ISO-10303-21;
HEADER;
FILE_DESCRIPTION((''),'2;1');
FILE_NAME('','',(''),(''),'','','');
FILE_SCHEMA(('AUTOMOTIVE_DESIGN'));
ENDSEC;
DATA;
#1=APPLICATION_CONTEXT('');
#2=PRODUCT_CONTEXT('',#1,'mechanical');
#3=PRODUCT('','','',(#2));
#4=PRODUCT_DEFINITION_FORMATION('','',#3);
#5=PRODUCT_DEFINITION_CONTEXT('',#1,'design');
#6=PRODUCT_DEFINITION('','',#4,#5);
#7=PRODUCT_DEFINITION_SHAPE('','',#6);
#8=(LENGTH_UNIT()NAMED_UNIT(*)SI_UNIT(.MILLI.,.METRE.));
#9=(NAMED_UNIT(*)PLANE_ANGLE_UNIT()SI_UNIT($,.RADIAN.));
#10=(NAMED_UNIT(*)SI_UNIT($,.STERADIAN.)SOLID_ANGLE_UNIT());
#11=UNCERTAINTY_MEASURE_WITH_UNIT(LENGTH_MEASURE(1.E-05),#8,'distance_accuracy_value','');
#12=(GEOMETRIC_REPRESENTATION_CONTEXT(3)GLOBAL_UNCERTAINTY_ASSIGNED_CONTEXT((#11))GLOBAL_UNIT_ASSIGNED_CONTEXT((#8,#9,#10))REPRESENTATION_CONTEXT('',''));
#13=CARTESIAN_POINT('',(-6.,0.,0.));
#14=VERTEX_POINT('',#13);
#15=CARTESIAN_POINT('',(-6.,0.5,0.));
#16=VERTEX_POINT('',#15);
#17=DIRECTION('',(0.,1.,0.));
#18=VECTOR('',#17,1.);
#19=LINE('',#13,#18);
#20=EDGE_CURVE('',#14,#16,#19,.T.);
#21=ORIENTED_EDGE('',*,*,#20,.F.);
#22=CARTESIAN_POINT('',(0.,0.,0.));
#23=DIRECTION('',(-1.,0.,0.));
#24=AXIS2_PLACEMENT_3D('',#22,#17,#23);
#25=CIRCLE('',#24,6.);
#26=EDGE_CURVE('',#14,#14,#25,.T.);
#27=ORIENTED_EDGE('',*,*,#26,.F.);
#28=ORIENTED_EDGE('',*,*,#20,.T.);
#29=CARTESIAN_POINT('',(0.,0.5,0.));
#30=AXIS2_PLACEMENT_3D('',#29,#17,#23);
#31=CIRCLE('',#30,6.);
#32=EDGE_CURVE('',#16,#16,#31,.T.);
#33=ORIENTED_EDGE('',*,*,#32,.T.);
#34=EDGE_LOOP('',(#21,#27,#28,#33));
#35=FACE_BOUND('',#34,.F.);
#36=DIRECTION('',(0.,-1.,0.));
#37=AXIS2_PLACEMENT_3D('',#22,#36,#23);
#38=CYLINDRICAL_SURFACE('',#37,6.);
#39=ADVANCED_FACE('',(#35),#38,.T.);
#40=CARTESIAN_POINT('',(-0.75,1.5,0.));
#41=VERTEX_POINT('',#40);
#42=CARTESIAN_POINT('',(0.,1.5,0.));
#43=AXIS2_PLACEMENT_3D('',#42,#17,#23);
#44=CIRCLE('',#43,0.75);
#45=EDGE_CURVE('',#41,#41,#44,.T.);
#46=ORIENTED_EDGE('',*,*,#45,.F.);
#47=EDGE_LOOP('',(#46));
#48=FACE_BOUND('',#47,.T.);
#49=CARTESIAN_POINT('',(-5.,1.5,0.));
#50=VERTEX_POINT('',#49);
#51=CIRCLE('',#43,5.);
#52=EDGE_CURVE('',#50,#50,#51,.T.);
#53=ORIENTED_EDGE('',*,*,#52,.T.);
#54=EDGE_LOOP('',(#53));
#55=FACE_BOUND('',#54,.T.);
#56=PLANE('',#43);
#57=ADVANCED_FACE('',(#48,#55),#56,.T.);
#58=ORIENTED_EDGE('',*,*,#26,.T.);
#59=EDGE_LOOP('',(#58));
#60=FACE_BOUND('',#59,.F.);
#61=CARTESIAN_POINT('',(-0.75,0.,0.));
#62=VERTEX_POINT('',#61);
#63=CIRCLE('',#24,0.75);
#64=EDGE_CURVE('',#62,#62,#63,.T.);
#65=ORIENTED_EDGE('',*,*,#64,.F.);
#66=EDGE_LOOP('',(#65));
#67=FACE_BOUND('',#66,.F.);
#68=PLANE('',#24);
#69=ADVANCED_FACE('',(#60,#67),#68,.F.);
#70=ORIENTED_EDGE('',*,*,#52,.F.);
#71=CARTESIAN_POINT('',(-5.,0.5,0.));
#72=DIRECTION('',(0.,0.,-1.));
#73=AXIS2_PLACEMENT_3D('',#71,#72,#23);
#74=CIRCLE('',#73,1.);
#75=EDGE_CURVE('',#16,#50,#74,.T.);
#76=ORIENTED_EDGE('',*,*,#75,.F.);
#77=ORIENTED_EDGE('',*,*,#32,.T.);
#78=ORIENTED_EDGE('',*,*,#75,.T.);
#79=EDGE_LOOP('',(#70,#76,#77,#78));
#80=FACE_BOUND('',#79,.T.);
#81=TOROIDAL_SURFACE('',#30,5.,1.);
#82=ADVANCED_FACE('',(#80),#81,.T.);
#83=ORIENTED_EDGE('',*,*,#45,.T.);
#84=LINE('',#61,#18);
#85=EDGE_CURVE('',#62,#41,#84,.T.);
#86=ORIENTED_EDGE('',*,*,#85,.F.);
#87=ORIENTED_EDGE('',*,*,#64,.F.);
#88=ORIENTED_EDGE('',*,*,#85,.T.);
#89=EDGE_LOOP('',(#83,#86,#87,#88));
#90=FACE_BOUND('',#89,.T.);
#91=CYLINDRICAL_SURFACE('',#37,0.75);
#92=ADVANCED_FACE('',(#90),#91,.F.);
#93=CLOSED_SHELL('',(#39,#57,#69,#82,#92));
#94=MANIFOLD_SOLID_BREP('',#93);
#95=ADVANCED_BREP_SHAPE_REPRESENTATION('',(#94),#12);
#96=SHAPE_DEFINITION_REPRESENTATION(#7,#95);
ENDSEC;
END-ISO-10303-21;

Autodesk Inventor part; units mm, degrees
ref_plane "YZ Plane" through (0, 0, 0) normal (1, 0, 0) x (0, 1, 0)
ref_plane "XZ Plane" through (0, 0, 0) normal (0, 1, 0) x (-1, 0, 0)
ref_plane "XY Plane" through (0, 0, 0) normal (0, 0, 1) x (1, 0, 0)
sketch "Sketch1" plane through (0, 0, 0) normal (0, 1, 0) x (-1, 0, 0)
  circle A0 centre (0, 0) radius 0.75
  circle A1 centre (0, 0) radius 6
  dimension "d0" = 1.5
  dimension "d1" = 12
extrude "Extrusion1" add sketch "Sketch1" along normal blind 1.5
fillet "Fillet1" radius 1 1 edges at (6, 1.5, 0)
properties part number "XC330_motor_adaptor_cap"
